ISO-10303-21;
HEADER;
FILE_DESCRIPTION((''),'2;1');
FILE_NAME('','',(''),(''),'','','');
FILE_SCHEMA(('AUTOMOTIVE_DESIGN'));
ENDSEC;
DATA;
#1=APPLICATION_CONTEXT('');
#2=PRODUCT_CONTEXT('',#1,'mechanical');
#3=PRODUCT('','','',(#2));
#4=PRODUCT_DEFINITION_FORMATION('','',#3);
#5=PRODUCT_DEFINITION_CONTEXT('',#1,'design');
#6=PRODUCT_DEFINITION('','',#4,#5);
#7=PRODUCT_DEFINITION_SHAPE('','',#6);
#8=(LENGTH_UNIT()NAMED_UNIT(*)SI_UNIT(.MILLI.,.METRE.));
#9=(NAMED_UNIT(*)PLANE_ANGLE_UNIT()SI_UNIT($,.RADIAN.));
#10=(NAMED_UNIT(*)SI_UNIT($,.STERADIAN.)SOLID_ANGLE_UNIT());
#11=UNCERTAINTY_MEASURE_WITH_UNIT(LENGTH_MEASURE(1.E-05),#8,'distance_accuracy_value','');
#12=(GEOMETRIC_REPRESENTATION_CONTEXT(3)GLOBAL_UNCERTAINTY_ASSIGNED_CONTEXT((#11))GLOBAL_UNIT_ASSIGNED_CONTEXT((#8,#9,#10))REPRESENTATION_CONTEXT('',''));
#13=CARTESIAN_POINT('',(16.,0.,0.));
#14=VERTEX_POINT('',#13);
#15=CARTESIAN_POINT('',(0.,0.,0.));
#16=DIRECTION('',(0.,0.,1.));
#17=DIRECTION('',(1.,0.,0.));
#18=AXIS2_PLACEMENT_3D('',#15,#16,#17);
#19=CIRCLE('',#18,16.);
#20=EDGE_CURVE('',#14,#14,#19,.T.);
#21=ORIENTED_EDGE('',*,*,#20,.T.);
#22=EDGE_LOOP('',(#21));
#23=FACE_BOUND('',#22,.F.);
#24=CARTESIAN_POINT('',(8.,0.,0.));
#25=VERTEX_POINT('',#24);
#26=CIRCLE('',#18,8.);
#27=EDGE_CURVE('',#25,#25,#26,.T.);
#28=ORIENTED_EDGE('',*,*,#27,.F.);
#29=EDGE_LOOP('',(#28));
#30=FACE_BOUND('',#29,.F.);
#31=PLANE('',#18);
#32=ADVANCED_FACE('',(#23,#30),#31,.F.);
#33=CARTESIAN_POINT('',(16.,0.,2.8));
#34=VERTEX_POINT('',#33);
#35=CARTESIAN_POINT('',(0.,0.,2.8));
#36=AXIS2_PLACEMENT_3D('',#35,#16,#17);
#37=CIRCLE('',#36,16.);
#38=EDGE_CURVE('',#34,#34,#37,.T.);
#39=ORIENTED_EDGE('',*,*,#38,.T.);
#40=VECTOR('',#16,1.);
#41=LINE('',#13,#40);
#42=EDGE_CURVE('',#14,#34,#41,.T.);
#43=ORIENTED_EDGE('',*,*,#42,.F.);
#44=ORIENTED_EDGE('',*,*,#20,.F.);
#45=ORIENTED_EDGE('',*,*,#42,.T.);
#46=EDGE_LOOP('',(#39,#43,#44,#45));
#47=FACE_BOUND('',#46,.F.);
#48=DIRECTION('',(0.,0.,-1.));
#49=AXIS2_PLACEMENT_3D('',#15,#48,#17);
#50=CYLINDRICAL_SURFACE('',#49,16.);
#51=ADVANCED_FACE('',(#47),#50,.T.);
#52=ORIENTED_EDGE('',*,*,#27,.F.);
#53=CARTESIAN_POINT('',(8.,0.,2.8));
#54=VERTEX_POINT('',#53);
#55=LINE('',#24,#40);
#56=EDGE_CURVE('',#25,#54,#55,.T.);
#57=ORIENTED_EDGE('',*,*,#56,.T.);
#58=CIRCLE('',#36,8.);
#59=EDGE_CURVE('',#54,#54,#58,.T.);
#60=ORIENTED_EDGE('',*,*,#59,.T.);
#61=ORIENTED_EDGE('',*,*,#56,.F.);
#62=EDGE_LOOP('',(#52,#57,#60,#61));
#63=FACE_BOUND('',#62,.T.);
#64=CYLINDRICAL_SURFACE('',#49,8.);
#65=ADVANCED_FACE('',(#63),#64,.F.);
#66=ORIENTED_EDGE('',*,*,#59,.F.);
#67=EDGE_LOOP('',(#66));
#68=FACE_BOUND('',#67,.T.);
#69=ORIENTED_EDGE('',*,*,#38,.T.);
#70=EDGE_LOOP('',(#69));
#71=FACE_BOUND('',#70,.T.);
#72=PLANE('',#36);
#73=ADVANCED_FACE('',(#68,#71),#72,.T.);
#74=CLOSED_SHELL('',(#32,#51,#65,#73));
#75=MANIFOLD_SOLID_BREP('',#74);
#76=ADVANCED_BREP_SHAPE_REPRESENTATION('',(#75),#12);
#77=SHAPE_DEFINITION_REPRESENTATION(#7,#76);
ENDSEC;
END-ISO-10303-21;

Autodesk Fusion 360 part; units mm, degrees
sketch "Sketch1" plane through (0, 0, 0) normal (0, 0, 1) x (1, 0, 0)
  circle A0 centre (0, 0) radius 8
  circle A1 centre (0, 0) radius 16
  dimension "d1" = 16
  dimension "d2" = 32
extrude "Extrude1" add sketch "Sketch1" along normal blind 2.8
